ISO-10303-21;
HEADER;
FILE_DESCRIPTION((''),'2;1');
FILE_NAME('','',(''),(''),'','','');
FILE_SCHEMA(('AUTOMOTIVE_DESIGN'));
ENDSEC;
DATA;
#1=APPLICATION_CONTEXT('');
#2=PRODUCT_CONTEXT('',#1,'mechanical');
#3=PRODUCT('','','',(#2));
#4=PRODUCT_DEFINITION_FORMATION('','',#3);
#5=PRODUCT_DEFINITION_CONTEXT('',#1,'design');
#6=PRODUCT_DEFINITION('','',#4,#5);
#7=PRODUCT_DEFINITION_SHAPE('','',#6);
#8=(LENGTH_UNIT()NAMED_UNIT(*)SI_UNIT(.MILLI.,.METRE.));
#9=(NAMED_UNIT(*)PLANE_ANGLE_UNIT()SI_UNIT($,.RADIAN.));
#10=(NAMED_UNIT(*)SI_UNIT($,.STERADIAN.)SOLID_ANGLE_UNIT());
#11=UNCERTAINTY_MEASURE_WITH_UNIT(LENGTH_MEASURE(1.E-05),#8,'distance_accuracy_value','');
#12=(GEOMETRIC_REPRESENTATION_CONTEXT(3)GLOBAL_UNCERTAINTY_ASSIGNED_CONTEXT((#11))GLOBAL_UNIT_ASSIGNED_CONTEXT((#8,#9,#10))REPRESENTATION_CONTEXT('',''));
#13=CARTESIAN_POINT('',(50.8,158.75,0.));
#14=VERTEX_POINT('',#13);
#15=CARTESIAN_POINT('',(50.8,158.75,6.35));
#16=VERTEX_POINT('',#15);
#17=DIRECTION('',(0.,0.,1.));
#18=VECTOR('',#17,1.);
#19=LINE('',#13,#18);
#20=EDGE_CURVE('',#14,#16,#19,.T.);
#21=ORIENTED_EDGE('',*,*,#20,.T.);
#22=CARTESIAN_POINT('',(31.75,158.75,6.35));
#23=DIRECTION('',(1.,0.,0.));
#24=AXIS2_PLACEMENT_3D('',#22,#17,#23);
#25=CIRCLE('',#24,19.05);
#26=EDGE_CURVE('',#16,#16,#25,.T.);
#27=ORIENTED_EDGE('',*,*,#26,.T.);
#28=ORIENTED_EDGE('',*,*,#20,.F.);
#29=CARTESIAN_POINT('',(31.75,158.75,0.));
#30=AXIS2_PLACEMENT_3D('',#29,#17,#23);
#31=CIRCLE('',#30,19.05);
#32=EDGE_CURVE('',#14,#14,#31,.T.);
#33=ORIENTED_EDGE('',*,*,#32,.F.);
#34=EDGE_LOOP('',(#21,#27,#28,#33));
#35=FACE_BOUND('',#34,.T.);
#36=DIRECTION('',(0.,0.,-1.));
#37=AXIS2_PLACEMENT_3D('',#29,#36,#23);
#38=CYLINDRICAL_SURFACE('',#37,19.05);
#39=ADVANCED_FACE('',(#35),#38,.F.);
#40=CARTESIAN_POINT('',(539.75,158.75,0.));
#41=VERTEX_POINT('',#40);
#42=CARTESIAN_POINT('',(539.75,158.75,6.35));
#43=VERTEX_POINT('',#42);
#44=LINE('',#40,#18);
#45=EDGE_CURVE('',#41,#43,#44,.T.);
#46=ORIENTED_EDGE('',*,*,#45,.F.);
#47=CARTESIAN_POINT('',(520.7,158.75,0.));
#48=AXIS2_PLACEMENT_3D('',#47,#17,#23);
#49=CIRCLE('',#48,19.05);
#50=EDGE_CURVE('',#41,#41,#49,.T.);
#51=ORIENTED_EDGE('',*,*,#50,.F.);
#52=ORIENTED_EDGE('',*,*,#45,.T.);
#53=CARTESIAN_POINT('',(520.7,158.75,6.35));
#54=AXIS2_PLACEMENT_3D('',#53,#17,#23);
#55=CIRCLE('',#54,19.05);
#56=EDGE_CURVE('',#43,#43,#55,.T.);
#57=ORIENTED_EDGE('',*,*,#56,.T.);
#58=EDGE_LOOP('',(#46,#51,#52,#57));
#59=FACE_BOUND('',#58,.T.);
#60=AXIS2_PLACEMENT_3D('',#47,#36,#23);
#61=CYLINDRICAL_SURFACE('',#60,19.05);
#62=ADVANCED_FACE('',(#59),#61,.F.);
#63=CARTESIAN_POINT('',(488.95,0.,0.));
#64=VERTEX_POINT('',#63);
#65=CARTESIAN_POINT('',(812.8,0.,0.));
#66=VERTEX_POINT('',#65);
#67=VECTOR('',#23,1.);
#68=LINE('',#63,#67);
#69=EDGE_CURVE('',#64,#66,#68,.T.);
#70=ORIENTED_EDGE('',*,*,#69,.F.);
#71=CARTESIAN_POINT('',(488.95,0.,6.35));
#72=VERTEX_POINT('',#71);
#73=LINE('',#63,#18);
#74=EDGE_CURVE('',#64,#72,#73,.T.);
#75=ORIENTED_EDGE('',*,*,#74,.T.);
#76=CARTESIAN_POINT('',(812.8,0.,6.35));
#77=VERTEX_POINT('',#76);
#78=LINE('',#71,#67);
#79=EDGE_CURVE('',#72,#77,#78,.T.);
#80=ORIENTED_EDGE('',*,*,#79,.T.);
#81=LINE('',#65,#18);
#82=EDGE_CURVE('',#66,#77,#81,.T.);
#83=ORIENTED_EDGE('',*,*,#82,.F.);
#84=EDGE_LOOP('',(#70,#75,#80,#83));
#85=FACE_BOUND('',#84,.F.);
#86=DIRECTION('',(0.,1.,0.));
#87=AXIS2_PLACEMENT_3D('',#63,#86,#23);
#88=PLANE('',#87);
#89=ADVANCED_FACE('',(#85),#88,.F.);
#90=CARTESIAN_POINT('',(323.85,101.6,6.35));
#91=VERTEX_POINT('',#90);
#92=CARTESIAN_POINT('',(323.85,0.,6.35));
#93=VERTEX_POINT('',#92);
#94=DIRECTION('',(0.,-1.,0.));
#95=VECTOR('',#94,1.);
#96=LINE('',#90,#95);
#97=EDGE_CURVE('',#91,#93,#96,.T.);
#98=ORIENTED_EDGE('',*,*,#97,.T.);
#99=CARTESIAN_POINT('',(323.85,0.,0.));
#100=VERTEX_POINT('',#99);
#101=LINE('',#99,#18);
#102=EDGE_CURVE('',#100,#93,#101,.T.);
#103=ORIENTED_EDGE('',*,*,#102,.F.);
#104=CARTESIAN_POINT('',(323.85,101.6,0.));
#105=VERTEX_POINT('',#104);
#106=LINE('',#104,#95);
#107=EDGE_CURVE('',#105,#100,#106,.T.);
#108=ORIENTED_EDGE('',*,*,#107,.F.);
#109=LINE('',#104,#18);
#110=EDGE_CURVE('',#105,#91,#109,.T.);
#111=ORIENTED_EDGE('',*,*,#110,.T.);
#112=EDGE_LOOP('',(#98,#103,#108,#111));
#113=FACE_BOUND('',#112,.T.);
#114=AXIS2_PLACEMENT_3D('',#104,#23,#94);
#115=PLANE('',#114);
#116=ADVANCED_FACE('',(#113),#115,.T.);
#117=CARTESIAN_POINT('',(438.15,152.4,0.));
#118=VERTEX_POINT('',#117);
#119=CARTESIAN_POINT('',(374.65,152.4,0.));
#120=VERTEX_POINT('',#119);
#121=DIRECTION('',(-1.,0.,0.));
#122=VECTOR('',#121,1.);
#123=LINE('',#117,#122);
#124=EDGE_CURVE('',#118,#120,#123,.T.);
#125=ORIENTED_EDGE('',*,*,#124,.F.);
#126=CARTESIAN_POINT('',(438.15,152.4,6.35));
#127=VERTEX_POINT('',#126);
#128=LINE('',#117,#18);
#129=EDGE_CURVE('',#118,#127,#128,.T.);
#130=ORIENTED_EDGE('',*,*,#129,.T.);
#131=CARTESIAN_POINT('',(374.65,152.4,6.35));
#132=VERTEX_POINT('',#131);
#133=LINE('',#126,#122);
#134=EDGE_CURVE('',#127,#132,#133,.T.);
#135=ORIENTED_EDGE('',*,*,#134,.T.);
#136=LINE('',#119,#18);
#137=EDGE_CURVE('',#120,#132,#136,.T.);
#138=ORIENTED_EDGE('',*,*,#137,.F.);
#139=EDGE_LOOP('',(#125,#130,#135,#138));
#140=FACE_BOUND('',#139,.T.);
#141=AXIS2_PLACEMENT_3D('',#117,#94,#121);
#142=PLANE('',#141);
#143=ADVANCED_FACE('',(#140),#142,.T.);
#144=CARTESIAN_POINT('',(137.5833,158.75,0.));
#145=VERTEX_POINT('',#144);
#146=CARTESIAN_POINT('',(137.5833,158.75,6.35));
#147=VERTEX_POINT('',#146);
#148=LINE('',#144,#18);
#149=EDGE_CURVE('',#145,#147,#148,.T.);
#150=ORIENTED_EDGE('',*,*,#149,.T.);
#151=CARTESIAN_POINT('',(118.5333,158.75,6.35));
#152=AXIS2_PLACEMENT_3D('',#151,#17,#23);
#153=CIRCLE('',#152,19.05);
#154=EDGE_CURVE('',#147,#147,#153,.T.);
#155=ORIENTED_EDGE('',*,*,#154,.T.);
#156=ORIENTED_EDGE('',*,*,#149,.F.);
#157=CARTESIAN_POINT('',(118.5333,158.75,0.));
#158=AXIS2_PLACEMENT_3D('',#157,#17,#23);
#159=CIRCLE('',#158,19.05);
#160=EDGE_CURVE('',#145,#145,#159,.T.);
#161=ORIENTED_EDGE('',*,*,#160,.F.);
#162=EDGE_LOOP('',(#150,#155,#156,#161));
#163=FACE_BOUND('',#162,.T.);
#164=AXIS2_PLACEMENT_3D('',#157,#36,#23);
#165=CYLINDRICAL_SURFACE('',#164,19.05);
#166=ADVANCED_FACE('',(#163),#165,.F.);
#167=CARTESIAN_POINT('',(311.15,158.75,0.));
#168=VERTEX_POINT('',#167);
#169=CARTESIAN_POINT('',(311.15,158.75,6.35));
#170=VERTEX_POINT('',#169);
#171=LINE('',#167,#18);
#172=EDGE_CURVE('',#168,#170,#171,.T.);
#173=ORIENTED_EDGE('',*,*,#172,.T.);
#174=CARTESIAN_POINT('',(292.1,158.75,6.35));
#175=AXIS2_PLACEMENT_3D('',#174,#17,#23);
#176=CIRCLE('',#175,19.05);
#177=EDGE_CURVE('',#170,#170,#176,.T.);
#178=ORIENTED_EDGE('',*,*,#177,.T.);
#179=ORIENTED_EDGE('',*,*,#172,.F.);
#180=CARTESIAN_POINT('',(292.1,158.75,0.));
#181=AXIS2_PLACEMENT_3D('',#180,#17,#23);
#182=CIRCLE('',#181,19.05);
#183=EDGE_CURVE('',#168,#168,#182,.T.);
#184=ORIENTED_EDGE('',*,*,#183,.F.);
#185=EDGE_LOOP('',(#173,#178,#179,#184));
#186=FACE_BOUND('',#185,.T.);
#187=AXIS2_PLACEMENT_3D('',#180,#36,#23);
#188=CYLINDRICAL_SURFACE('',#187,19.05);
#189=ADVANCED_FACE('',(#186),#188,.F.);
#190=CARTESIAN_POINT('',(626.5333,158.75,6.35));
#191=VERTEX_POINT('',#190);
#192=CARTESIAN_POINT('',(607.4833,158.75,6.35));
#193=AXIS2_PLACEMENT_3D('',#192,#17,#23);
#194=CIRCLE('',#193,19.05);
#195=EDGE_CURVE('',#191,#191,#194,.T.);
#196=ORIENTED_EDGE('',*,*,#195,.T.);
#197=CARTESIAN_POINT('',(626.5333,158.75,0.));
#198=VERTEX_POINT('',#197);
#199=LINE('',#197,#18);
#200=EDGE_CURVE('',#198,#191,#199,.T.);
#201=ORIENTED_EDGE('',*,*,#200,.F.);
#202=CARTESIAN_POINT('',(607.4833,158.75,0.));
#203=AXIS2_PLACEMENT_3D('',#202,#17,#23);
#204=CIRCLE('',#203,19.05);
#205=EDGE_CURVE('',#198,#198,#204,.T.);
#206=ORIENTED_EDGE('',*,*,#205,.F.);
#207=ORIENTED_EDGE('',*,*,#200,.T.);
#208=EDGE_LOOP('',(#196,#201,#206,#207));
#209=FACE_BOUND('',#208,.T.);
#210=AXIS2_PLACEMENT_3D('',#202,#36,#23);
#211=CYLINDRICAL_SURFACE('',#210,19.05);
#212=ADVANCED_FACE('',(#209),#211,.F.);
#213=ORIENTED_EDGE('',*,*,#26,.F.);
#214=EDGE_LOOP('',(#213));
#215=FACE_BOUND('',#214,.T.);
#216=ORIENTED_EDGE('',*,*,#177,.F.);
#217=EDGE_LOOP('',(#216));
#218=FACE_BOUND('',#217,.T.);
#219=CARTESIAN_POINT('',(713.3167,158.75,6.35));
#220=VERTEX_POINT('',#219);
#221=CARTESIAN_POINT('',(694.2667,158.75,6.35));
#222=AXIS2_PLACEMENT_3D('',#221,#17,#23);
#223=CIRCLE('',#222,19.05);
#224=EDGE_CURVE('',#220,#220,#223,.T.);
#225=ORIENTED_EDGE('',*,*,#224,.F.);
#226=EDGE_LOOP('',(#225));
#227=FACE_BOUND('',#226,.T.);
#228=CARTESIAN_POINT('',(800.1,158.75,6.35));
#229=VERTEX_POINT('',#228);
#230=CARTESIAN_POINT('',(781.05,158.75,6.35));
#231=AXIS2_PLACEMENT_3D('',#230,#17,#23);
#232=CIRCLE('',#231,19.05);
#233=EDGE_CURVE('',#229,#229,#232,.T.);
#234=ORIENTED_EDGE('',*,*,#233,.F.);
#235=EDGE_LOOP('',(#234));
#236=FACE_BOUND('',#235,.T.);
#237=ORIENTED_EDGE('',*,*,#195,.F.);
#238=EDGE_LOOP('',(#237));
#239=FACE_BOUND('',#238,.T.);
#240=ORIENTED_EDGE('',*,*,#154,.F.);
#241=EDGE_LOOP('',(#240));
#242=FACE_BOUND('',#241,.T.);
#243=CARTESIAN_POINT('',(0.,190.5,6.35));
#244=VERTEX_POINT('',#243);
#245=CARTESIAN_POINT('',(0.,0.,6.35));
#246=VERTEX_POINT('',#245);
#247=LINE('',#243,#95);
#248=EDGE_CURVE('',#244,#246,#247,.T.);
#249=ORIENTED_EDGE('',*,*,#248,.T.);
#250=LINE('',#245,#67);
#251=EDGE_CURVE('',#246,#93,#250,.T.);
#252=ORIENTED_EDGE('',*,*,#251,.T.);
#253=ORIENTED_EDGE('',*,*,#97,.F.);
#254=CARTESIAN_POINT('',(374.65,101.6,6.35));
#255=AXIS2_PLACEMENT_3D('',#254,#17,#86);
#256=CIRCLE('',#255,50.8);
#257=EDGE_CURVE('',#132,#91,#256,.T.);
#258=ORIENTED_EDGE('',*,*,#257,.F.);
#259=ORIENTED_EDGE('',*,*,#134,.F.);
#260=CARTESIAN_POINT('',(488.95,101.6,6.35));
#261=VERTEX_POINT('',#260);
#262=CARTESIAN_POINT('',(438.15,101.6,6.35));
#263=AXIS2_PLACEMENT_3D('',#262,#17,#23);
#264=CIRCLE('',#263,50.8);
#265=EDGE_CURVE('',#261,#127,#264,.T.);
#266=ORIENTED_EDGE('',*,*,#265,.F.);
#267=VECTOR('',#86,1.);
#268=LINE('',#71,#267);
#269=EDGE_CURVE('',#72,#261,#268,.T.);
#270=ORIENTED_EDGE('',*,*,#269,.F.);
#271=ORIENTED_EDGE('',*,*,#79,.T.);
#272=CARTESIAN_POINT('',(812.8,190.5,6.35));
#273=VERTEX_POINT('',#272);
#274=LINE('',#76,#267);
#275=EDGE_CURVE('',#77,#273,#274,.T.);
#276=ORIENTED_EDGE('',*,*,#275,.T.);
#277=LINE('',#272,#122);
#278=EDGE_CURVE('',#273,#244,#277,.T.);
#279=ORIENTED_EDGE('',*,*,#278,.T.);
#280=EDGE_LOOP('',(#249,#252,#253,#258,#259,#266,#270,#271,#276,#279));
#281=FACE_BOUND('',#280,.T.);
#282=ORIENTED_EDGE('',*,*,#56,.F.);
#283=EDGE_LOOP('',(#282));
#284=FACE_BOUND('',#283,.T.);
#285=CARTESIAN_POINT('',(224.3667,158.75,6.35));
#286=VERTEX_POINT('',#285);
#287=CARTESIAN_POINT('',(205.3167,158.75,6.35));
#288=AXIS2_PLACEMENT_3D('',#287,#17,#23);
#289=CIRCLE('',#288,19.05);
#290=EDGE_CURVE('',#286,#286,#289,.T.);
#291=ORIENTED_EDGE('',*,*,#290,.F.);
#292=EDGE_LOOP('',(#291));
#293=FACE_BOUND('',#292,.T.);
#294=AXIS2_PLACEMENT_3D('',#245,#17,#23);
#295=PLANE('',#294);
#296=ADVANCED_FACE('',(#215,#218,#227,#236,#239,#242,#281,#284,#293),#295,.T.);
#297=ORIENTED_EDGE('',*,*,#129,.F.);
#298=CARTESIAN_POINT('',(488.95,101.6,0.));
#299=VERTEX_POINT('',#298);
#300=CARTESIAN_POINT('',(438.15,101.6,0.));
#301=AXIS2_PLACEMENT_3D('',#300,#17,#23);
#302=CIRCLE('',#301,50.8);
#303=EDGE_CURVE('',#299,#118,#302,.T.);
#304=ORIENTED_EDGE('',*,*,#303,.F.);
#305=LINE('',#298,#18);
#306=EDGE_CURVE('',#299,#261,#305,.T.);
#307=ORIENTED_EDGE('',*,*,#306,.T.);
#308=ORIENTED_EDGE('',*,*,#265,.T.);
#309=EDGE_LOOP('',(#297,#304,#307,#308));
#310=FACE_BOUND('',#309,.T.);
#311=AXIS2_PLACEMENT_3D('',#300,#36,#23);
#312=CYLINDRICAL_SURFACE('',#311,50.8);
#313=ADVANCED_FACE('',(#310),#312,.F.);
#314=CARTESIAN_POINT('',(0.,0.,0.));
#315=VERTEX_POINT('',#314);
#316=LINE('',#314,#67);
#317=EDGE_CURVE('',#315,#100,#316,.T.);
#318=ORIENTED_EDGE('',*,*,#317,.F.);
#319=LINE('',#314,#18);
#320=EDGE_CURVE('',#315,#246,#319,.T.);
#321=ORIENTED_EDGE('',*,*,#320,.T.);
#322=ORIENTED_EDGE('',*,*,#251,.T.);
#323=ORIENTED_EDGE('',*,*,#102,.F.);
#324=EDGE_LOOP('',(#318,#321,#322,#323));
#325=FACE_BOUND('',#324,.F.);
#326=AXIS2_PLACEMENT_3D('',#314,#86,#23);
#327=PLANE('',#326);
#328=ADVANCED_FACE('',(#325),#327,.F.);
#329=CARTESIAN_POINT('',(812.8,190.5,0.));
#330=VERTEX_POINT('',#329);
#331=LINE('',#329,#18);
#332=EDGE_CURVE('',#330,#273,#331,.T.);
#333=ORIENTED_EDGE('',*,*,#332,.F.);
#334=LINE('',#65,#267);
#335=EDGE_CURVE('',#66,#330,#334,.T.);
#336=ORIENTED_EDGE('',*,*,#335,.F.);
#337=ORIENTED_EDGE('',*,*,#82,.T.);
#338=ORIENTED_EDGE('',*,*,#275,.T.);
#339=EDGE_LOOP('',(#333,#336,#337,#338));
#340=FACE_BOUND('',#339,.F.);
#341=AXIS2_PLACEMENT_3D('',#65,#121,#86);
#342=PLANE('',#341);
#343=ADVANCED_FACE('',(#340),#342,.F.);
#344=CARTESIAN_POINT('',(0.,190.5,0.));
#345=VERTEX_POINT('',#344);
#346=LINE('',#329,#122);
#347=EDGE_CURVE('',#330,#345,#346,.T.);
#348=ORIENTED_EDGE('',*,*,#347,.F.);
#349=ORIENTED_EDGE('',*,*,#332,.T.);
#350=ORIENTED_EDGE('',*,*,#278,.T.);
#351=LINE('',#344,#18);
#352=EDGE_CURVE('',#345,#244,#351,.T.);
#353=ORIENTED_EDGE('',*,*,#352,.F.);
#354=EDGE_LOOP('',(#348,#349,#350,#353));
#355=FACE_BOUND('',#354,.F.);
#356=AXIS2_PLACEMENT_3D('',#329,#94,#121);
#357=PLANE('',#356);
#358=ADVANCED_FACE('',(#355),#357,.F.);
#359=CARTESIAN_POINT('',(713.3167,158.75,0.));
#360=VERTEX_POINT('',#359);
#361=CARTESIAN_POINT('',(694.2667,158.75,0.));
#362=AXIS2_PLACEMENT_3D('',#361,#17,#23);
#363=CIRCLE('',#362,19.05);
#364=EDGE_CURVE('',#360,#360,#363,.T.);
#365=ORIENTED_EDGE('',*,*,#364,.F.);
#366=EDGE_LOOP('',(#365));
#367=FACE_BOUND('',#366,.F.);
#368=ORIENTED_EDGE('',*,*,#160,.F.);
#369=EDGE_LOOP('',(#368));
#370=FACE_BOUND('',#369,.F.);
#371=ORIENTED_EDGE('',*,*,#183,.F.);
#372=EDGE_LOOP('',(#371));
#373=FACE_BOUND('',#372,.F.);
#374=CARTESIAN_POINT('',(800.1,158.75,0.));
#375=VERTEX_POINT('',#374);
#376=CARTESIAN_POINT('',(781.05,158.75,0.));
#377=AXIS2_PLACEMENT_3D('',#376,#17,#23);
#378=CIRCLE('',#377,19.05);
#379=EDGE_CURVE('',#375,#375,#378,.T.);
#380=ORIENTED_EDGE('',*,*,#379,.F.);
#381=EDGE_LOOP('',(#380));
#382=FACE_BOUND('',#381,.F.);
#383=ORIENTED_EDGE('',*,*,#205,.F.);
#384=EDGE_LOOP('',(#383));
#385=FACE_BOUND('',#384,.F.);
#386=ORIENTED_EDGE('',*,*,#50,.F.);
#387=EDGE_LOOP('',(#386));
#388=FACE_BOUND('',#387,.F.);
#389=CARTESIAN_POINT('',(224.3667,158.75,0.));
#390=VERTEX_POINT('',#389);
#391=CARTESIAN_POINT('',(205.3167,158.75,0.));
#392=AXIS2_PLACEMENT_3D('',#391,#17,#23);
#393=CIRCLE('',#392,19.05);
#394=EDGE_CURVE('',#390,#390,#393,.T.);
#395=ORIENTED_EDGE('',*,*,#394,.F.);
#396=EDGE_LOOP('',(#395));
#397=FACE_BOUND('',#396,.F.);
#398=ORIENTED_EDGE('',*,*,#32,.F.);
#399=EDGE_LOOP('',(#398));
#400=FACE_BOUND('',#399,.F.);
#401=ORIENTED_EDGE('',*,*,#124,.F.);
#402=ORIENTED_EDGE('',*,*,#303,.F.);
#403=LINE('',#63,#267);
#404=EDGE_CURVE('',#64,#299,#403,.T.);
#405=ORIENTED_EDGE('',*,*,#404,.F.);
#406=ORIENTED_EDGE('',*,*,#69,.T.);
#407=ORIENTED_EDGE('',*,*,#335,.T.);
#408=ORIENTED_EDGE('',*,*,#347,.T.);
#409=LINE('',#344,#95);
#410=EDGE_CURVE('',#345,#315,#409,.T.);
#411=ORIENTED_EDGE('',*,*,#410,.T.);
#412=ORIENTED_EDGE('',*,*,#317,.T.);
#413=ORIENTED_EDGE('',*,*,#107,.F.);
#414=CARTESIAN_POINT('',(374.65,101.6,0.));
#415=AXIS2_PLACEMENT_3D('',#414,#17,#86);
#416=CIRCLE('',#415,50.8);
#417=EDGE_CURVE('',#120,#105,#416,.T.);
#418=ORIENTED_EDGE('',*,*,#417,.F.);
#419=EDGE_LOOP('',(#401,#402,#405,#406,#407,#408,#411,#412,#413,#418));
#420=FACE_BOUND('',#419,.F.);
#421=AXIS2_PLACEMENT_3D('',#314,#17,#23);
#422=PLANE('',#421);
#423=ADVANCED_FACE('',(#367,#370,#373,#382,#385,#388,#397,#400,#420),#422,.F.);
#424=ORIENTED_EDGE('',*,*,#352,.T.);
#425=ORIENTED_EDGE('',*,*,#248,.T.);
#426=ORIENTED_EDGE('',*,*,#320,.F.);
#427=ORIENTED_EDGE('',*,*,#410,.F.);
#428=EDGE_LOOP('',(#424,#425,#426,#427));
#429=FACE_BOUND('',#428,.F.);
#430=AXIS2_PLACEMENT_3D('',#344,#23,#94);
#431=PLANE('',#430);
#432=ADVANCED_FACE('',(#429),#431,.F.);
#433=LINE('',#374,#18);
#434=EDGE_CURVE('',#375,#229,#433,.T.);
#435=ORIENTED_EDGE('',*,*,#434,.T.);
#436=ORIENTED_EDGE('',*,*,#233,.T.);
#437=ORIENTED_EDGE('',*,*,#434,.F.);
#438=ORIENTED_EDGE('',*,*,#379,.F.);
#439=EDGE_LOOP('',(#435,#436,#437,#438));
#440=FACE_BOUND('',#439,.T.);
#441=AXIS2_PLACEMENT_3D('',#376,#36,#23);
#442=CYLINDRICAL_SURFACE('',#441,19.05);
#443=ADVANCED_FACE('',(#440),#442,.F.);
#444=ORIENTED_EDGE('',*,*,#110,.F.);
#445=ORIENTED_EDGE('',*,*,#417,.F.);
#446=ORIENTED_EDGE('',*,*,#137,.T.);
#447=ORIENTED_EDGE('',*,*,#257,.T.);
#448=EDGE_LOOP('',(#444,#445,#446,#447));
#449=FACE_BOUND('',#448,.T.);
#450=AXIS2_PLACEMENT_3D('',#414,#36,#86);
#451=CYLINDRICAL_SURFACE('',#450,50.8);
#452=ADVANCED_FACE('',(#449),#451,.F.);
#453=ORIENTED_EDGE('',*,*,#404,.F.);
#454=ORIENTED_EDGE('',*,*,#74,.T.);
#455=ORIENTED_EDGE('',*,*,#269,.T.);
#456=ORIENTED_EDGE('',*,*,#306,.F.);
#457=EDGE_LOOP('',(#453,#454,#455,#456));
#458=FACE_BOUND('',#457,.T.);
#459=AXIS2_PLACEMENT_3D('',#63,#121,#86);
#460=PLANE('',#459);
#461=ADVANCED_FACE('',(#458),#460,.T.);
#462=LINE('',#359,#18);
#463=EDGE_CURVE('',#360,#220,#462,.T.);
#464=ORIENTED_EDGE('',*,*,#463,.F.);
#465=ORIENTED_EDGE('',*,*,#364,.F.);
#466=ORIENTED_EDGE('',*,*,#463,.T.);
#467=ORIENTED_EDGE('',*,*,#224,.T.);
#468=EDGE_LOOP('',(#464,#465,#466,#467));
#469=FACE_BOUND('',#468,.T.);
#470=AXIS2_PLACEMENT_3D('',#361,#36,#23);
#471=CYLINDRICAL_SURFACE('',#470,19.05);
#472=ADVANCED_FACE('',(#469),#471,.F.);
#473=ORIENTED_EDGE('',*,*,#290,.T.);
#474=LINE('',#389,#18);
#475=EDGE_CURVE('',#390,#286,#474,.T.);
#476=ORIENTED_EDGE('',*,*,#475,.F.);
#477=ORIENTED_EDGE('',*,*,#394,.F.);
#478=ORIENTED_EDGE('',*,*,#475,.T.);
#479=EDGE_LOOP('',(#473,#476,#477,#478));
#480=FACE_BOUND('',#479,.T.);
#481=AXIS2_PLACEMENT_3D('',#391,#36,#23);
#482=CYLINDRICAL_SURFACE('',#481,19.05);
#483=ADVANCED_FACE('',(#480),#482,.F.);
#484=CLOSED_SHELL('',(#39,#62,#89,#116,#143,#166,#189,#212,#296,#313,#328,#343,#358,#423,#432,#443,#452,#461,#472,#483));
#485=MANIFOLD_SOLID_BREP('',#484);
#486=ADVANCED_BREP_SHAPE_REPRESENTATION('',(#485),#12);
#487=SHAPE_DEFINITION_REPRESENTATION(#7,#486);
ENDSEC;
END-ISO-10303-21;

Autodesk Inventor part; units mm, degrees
ref_plane "YZ Plane" through (0, 0, 0) normal (1, 0, 0) x (0, 1, 0)
ref_plane "XZ Plane" through (0, 0, 0) normal (0, 1, 0) x (-1, 0, 0)
ref_plane "XY Plane" through (0, 0, 0) normal (0, 0, 1) x (1, 0, 0)
sketch "Sketch1" plane through (0, 0, 0) normal (0, 0, 1) x (1, 0, 0)
  line L0 (812.8, 0) -> (812.8, 190.5)
  line L1 (812.8, 190.5) -> (0, 190.5)
  line L2 (0, 190.5) -> (0, 0)
  circle A0 centre (781.05, 158.75) radius 19.05
  circle A1 centre (520.7, 158.75) radius 19.05
  circle A2 centre (292.1, 158.75) radius 19.05
  circle A3 centre (31.75, 158.75) radius 19.05
  circle A4 centre (694.2667, 158.75) radius 19.05
  circle A5 centre (205.3167, 158.75) radius 19.05
  circle A6 centre (607.4833, 158.75) radius 19.05
  circle A7 centre (118.5333, 158.75) radius 19.05
  line L3 (488.95, 0) -> (488.95, 101.6)
  line L4 (488.95, 152.4) -> (438.15, 152.4) construction
  line L5 (323.85, 152.4) -> (323.85, 101.6) construction
  line L6 (0, 0) -> (323.85, 0)
  line L7 (488.95, 0) -> (812.8, 0)
  arc A8 (374.65, 152.4) -> (323.85, 101.6) centre (374.65, 101.6) ccw
  arc A9 (488.95, 101.6) -> (438.15, 152.4) centre (438.15, 101.6) ccw
  line L8 (374.65, 152.4) -> (323.85, 152.4) construction
  line L9 (323.85, 101.6) -> (323.85, 0)
  line L10 (438.15, 152.4) -> (374.65, 152.4)
  line L11 (488.95, 101.6) -> (488.95, 152.4) construction
  dimension "d0" = 190.5
  dimension "d1" = 812.8
  dimension "d13" = 38.1
  dimension "d14" = 38.1
  dimension "d15" = 228.6
  dimension "d16" = 260.35
  dimension "d17" = 86.7833
  dimension "d18" = 86.7833
  dimension "d21" = 31.75
  dimension "d22" = 31.75
  dimension "d23" = 31.75
  dimension "d24" = 86.7833
  dimension "d25" = 86.7833
  dimension "d26" = 165.1
  dimension "d28" = 323.85
  dimension "d29" = 152.4
  dimension "d30" = 50.8
extrude "Extrusion1" add sketch "Sketch1" along normal blind 6.35
equation "\"d14\" = d13"
equation "\"d16\" = 0.5 * d1 - 0.5 * d15 - d23"
equation "\"d17\" = 0.333333 * d16"
equation "\"d18\" = d17"
equation "\"d23\" = d22"
equation "\"d24\" = d17"
equation "\"d25\" = d18"
equation "\"d28\" = -0.5 * d26 + 0.5 * d1"
properties part number "manipulator back pannel 2"
